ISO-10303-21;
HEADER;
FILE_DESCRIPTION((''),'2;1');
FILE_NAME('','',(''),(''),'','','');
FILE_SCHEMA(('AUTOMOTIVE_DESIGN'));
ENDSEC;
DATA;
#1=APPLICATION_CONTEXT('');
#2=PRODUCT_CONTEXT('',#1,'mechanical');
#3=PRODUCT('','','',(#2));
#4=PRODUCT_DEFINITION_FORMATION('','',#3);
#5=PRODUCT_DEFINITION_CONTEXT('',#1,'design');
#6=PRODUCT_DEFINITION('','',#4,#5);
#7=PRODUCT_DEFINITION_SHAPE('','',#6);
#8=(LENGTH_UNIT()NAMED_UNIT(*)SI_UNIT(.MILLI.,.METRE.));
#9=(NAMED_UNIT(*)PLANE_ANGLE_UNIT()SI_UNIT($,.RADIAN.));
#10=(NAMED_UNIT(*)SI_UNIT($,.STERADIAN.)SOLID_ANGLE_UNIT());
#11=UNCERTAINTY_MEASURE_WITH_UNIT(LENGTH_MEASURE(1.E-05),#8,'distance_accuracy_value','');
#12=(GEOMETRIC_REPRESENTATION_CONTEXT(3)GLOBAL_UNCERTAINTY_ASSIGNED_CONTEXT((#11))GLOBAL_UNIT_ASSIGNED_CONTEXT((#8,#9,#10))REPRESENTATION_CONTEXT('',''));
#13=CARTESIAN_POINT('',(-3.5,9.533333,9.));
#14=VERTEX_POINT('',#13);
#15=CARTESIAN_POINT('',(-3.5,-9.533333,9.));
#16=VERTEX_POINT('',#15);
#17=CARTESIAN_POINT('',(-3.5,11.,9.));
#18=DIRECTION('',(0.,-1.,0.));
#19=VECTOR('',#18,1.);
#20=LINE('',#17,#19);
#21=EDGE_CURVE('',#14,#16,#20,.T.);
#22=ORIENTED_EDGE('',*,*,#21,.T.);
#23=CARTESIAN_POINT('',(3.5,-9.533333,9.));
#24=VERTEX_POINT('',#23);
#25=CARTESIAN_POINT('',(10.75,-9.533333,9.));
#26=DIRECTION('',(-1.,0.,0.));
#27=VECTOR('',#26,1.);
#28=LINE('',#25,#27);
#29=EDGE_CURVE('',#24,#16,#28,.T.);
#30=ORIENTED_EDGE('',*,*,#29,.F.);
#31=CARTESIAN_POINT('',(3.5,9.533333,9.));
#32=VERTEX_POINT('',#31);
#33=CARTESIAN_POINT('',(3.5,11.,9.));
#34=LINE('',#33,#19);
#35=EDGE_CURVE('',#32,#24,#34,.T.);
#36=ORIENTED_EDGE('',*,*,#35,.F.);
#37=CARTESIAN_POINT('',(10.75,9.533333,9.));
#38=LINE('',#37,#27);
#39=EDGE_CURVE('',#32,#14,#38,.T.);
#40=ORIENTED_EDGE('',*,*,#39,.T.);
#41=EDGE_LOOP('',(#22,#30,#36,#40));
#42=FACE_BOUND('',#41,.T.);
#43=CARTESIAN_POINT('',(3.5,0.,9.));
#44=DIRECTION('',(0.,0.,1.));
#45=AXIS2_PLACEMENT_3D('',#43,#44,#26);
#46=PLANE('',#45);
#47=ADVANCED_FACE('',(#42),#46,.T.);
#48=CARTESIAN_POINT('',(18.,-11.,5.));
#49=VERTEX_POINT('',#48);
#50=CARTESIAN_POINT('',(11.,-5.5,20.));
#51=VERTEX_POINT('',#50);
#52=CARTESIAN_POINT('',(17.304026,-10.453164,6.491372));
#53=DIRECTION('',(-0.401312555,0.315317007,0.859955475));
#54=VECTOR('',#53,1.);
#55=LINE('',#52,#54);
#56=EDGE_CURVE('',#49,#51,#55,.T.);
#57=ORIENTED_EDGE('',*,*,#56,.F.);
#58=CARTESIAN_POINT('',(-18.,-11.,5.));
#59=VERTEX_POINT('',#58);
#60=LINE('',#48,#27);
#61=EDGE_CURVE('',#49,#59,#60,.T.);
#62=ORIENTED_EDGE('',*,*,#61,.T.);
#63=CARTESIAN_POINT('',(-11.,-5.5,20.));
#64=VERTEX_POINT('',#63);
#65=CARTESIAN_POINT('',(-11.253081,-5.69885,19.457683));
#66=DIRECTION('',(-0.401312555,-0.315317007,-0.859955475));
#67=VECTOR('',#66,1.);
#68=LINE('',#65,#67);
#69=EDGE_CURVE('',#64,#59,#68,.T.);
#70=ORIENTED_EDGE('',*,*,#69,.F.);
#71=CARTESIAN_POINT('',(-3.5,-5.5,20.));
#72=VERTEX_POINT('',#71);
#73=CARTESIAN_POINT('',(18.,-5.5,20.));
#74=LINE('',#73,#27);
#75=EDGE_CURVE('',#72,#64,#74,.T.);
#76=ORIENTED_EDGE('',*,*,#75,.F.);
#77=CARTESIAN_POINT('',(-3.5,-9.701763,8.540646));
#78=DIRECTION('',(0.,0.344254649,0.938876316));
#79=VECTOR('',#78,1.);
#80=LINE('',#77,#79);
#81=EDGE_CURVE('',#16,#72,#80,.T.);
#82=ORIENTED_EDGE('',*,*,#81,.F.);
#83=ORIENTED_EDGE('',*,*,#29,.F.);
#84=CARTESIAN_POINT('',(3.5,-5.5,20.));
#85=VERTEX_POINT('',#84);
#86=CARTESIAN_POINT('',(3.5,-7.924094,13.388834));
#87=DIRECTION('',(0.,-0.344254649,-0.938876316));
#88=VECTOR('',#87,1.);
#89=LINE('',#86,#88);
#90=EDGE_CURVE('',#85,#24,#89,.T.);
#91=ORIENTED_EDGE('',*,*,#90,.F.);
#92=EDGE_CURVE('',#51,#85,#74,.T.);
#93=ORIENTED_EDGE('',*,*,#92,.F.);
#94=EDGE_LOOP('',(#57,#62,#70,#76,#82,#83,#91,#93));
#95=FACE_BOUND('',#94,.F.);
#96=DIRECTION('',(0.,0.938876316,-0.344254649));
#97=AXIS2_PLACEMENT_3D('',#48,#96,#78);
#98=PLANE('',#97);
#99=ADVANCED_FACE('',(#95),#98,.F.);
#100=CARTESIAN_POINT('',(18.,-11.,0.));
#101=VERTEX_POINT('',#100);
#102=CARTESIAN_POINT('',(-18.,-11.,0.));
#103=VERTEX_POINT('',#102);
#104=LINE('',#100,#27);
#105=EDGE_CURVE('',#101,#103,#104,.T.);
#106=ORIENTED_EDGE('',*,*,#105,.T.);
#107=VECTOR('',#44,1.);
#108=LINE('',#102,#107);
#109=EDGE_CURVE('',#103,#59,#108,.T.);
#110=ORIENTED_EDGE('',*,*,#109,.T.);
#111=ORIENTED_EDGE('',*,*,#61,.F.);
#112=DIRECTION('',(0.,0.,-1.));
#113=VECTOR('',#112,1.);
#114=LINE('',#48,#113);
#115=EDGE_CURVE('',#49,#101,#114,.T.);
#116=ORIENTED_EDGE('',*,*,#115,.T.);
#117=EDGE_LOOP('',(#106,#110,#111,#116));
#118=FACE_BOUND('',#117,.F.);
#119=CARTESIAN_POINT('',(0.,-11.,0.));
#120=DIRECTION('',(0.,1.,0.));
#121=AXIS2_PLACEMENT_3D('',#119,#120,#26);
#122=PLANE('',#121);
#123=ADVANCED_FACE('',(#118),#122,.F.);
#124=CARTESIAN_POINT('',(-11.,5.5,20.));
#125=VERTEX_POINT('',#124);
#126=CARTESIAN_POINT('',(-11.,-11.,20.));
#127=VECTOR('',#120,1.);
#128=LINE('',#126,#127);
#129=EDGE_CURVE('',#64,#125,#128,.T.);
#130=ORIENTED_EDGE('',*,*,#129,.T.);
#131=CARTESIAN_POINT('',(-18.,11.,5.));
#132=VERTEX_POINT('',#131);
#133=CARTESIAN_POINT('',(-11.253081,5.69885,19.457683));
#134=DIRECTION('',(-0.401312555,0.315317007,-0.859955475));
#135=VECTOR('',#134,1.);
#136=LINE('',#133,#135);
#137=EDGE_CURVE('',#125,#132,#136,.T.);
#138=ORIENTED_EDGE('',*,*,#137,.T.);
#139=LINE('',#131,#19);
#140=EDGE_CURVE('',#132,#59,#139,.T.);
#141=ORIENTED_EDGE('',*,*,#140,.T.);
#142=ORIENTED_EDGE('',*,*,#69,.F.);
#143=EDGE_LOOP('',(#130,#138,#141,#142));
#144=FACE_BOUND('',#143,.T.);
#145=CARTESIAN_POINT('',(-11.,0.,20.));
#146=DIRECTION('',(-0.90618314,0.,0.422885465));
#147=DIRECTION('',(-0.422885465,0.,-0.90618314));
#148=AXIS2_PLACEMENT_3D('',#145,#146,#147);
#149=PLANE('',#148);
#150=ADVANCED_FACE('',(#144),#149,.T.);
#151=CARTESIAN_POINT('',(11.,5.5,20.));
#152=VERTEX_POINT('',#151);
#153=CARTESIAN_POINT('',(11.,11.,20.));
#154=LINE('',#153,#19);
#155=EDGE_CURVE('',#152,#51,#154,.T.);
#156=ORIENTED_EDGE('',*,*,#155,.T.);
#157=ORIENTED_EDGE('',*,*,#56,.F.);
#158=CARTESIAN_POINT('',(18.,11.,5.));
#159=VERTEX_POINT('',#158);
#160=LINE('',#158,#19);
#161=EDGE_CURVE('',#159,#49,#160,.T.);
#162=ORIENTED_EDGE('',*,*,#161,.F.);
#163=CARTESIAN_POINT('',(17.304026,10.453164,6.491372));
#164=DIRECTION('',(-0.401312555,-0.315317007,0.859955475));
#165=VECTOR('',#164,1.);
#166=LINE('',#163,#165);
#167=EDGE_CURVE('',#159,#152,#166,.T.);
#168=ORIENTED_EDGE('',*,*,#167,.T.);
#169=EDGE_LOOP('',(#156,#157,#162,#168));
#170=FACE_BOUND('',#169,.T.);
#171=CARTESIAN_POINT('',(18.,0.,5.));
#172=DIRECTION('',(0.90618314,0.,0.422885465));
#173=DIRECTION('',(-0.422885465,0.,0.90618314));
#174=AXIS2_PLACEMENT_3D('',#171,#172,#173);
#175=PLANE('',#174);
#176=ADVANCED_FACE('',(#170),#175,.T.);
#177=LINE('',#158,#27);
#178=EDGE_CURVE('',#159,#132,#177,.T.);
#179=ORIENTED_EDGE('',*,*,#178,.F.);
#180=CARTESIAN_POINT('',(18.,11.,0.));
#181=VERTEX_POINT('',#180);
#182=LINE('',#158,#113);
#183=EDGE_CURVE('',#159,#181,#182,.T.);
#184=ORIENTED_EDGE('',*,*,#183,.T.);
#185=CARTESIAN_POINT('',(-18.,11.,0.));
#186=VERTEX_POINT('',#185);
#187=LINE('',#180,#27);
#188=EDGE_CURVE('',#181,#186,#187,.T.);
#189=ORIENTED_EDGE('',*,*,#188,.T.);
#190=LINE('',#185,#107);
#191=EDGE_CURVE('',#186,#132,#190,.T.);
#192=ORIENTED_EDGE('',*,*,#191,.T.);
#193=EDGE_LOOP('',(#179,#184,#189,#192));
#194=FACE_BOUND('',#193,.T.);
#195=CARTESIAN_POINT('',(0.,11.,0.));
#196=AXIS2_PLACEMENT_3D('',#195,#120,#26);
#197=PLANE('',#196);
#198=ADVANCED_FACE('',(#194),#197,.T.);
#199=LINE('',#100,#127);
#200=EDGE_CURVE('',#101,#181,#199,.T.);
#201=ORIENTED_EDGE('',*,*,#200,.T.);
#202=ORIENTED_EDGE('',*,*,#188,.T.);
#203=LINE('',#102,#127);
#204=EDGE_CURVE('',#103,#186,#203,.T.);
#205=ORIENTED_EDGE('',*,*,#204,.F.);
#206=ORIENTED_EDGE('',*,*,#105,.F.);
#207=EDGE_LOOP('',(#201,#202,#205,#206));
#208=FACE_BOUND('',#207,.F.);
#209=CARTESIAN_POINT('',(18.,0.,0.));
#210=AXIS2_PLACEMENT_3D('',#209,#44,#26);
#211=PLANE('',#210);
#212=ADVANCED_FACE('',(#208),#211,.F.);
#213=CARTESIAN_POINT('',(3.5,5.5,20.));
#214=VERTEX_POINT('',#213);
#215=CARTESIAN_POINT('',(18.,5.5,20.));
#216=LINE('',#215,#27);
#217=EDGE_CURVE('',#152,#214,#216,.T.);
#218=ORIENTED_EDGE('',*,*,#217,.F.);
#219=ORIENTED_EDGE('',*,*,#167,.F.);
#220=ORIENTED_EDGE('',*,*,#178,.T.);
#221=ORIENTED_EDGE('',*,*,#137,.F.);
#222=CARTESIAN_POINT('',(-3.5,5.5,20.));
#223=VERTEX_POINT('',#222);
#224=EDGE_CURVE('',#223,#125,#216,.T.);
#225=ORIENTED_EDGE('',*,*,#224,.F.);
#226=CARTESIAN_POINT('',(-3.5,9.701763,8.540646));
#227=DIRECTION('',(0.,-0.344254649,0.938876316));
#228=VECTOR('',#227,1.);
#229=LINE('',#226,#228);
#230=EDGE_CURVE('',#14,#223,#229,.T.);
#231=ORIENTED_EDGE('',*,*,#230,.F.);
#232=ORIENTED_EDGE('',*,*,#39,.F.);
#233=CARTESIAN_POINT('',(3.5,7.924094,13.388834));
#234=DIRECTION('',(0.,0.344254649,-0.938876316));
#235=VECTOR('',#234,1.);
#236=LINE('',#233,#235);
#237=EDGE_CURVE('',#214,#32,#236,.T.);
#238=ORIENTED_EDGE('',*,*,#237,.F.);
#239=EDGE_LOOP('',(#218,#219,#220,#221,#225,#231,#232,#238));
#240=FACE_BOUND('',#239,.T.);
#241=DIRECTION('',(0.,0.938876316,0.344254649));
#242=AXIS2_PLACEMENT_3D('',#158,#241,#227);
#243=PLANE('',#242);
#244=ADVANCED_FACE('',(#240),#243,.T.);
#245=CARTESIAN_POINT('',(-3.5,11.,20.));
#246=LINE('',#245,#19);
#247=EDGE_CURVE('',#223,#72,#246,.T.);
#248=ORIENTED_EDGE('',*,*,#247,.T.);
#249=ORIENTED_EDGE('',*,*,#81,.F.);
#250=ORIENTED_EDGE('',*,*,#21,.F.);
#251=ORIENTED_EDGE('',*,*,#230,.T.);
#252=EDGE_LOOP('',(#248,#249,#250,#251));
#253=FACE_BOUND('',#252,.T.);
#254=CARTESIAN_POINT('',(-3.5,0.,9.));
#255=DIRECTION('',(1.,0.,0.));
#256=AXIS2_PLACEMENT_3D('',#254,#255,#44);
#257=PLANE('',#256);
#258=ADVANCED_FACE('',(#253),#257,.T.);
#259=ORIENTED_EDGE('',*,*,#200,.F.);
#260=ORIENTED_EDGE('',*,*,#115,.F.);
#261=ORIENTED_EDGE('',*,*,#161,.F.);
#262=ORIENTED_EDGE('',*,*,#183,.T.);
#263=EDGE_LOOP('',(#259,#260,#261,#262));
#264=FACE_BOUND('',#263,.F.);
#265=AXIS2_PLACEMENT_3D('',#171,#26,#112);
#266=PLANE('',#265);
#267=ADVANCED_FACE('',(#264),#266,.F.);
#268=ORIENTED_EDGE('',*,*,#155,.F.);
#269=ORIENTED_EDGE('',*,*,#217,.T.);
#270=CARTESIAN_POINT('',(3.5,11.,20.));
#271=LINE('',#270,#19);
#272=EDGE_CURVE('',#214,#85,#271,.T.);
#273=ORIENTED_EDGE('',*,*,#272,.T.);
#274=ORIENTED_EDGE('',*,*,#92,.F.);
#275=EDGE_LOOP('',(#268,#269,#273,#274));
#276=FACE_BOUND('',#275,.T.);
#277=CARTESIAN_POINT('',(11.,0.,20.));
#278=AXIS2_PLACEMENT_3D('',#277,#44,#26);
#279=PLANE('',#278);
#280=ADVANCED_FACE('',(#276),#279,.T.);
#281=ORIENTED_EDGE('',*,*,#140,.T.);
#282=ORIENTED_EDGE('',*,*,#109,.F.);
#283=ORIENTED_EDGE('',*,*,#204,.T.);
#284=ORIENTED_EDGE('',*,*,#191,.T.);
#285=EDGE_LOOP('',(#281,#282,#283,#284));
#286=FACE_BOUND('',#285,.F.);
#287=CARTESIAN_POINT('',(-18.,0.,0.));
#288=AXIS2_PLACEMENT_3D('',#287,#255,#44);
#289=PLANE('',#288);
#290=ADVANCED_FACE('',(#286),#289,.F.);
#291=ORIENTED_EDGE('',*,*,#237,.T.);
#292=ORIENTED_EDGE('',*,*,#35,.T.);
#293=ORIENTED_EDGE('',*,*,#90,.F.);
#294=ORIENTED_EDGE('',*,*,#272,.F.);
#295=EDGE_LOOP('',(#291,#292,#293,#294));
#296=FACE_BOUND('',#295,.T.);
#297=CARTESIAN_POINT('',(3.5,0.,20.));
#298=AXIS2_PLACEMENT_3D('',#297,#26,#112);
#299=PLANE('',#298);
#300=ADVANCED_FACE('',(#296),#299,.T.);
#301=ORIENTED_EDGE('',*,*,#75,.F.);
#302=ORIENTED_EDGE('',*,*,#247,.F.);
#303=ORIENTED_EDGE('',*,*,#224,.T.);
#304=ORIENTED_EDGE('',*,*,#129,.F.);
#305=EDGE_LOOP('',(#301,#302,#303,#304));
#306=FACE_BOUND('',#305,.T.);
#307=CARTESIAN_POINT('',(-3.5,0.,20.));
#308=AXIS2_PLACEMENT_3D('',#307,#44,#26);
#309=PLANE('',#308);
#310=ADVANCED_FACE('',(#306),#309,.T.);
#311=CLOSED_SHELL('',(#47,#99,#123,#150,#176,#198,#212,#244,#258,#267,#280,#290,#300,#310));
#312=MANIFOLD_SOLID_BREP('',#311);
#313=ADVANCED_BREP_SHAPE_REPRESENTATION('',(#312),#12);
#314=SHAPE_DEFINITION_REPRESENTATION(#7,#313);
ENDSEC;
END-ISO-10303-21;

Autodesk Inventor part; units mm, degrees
ref_plane "YZ Plane" through (0, 0, 0) normal (1, 0, 0) x (0, 1, 0)
ref_plane "XZ Plane" through (0, 0, 0) normal (0, 1, 0) x (-1, 0, 0)
ref_plane "XY Plane" through (0, 0, 0) normal (0, 0, 1) x (1, 0, 0)
sketch "草图2" plane through (0, 0, 0) normal (0, 1, 0) x (-1, 0, 0)
  line L0 (-18, 0) -> (18, 0)
  line L1 (18, 0) -> (18, 5)
  line L2 (18, 5) -> (-18, 5)
  line L3 (-18, 5) -> (-18, 0)
  line L4 (-18, 5) -> (-11, 20)
  line L5 (-11, 20) -> (-3.5, 20)
  line L6 (-3.5, 20) -> (-3.5, 9)
  line L7 (-3.5, 9) -> (3.5, 9)
  line L8 (3.5, 9) -> (3.5, 20)
  line L9 (3.5, 20) -> (11, 20)
  line L10 (11, 20) -> (18, 5)
  point P0 (0, 0)
  point P1 (0, 0)
  point P2 (0, 5)
  point P3 (0, 9)
  dimension "d0" = 36
  dimension "d1" = 5
  dimension "d2" = 20
  dimension "d3" = 11
  dimension "d4" = 7
  dimension "d5" = 22
extrude "拉伸1" add sketch "草图2" along normal mid plane 22 contours L3 L2 L1 L0
extrude "拉伸2" add sketch "草图2" along normal mid plane 22 contours L4 L5 L6 L7 L8 L9 L10 L2
sketch "草图3" plane through (18, -11, 0) normal (1, 0, 0) x (0, 0, -1)
  line L0 (-5, 22) -> (-5, 0) projected
  line L1 (-20, 22) -> (-5, 22) projected
  line L2 (-20, 0) -> (-20, 22) projected
  line L3 (-5, 0) -> (-20, 0) projected
  line L4 (0, 0) -> (0, 22) projected
  line L5 (-5, 22) -> (0, 22) projected
  line L6 (-5, 22) -> (-5, 0) projected
  line L7 (0, 0) -> (-5, 0) projected
  line L8 (-5, 0) -> (-20, 5.5)
  line L9 (-5, 22) -> (-20, 16.5)
  line L10 (-20, 0) -> (-20, 22) projected
  line L11 (-20, 16.5) -> (-20, 5.5)
  line L12 (-5, 0) -> (-5, 22) projected
  line L13 (-5, 0) -> (-5, 22)
  line L14 (-5, 0) -> (0, 0)
  line L15 (0, 0) -> (0, 22) projected
  line L16 (0, 22) -> (0, 0)
  line L17 (-5, 22) -> (0, 22) projected
  line L18 (-5, 22) -> (0, 22)
  point P0 (0, 11)
  dimension "d10" = 11
extrude "拉伸3" cut sketch "草图3" against normal blind 36 contours L5 L4 L7 L0 | L0 L8 L2 L9 keep common part
